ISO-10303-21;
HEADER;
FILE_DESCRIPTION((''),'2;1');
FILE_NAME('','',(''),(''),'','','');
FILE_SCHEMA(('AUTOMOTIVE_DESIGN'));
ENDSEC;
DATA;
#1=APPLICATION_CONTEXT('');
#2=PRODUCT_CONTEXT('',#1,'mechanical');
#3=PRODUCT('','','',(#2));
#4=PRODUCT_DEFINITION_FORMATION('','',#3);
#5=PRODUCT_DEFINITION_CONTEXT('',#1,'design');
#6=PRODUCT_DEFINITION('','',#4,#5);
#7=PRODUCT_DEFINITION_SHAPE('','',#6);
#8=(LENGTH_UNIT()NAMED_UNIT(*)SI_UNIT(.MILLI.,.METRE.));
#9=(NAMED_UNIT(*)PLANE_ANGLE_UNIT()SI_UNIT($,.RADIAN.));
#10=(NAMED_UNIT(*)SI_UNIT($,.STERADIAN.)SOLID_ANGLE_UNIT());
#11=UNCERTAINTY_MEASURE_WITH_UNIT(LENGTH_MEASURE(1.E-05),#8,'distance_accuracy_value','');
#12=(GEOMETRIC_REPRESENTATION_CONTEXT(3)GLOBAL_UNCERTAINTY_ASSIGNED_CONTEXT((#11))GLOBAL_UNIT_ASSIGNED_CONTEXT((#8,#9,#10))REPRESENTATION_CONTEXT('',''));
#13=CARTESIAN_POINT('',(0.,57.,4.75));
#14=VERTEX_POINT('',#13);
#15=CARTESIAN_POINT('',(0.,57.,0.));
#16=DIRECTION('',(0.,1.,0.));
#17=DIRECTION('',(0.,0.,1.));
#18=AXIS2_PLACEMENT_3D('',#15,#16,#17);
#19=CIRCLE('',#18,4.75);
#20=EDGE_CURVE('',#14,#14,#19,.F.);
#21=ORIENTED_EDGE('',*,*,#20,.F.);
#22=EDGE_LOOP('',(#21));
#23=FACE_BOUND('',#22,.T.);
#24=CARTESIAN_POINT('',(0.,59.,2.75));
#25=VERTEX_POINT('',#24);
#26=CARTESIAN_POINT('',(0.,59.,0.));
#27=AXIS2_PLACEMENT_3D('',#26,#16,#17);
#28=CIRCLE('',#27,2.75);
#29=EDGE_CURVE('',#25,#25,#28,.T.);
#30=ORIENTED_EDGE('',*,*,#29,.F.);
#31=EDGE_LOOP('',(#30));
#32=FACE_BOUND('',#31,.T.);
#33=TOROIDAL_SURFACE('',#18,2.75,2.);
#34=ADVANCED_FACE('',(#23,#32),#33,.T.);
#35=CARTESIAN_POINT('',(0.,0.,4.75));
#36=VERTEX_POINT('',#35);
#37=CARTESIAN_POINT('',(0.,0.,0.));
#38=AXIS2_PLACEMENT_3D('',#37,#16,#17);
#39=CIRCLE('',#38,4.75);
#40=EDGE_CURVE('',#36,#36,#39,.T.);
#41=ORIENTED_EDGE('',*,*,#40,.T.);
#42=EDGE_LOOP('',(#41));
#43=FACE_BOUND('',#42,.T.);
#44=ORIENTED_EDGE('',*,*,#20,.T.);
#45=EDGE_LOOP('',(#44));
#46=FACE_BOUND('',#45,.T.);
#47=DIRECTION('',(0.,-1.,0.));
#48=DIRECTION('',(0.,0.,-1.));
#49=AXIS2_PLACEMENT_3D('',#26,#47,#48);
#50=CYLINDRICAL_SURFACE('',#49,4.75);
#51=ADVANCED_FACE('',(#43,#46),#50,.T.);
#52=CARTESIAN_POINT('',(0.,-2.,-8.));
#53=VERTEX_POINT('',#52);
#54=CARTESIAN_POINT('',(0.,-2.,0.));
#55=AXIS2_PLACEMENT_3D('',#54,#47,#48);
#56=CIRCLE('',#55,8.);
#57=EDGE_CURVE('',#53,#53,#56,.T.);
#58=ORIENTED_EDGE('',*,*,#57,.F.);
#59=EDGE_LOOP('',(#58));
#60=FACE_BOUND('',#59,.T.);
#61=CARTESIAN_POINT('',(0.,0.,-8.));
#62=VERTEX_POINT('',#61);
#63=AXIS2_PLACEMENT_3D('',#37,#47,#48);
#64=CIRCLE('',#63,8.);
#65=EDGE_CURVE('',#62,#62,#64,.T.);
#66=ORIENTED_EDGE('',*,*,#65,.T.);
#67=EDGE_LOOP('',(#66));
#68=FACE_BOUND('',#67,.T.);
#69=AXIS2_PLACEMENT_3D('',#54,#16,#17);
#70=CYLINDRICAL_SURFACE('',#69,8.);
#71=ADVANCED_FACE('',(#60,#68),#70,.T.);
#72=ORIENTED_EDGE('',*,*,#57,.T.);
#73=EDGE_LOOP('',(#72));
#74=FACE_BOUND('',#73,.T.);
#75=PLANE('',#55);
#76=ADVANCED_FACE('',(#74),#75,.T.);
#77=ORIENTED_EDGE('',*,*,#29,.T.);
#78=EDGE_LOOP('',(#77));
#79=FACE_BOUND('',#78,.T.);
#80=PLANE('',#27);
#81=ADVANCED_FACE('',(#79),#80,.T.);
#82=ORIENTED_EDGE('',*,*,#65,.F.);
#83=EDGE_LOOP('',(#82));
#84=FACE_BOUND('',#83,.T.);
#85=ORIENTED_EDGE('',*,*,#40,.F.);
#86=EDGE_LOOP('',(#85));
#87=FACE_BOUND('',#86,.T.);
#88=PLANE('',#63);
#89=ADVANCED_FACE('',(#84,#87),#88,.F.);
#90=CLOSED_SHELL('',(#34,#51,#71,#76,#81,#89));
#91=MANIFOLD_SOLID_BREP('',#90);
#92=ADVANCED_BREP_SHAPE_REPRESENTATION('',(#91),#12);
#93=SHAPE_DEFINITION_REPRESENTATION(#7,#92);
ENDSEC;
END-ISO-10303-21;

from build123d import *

# Parameters (mm, degrees)
SKETCH1_R           = 4.75
BOSS_EXTRUDE1_DEPTH = 59
SKETCH2_R           = 8
BOSS_EXTRUDE2_DEPTH = 2
FILLET1_R           = 2


with BuildPart() as part:
    # Sketch1 → Boss-Extrude1 (new body)
    with BuildSketch(Plane(origin=(0, 0, 0), x_dir=(1, 0, 0), z_dir=(0, 1, 0))):
        Circle(SKETCH1_R)
    extrude(amount=BOSS_EXTRUDE1_DEPTH)

    # Sketch2 → Boss-Extrude2 (add)
    with BuildSketch(Plane(origin=(0, 0, 0), x_dir=(-1, 0, 0), z_dir=(0, -1, 0))):
        Circle(SKETCH2_R)
    extrude(amount=BOSS_EXTRUDE2_DEPTH)

    # Fillet1
    fillet1_edges = [part.edges().sort_by_distance(p)[0] for p in [
        (-4.75, 59, 0),
    ]]
    fillet(fillet1_edges, radius=FILLET1_R)


solid = part.part
